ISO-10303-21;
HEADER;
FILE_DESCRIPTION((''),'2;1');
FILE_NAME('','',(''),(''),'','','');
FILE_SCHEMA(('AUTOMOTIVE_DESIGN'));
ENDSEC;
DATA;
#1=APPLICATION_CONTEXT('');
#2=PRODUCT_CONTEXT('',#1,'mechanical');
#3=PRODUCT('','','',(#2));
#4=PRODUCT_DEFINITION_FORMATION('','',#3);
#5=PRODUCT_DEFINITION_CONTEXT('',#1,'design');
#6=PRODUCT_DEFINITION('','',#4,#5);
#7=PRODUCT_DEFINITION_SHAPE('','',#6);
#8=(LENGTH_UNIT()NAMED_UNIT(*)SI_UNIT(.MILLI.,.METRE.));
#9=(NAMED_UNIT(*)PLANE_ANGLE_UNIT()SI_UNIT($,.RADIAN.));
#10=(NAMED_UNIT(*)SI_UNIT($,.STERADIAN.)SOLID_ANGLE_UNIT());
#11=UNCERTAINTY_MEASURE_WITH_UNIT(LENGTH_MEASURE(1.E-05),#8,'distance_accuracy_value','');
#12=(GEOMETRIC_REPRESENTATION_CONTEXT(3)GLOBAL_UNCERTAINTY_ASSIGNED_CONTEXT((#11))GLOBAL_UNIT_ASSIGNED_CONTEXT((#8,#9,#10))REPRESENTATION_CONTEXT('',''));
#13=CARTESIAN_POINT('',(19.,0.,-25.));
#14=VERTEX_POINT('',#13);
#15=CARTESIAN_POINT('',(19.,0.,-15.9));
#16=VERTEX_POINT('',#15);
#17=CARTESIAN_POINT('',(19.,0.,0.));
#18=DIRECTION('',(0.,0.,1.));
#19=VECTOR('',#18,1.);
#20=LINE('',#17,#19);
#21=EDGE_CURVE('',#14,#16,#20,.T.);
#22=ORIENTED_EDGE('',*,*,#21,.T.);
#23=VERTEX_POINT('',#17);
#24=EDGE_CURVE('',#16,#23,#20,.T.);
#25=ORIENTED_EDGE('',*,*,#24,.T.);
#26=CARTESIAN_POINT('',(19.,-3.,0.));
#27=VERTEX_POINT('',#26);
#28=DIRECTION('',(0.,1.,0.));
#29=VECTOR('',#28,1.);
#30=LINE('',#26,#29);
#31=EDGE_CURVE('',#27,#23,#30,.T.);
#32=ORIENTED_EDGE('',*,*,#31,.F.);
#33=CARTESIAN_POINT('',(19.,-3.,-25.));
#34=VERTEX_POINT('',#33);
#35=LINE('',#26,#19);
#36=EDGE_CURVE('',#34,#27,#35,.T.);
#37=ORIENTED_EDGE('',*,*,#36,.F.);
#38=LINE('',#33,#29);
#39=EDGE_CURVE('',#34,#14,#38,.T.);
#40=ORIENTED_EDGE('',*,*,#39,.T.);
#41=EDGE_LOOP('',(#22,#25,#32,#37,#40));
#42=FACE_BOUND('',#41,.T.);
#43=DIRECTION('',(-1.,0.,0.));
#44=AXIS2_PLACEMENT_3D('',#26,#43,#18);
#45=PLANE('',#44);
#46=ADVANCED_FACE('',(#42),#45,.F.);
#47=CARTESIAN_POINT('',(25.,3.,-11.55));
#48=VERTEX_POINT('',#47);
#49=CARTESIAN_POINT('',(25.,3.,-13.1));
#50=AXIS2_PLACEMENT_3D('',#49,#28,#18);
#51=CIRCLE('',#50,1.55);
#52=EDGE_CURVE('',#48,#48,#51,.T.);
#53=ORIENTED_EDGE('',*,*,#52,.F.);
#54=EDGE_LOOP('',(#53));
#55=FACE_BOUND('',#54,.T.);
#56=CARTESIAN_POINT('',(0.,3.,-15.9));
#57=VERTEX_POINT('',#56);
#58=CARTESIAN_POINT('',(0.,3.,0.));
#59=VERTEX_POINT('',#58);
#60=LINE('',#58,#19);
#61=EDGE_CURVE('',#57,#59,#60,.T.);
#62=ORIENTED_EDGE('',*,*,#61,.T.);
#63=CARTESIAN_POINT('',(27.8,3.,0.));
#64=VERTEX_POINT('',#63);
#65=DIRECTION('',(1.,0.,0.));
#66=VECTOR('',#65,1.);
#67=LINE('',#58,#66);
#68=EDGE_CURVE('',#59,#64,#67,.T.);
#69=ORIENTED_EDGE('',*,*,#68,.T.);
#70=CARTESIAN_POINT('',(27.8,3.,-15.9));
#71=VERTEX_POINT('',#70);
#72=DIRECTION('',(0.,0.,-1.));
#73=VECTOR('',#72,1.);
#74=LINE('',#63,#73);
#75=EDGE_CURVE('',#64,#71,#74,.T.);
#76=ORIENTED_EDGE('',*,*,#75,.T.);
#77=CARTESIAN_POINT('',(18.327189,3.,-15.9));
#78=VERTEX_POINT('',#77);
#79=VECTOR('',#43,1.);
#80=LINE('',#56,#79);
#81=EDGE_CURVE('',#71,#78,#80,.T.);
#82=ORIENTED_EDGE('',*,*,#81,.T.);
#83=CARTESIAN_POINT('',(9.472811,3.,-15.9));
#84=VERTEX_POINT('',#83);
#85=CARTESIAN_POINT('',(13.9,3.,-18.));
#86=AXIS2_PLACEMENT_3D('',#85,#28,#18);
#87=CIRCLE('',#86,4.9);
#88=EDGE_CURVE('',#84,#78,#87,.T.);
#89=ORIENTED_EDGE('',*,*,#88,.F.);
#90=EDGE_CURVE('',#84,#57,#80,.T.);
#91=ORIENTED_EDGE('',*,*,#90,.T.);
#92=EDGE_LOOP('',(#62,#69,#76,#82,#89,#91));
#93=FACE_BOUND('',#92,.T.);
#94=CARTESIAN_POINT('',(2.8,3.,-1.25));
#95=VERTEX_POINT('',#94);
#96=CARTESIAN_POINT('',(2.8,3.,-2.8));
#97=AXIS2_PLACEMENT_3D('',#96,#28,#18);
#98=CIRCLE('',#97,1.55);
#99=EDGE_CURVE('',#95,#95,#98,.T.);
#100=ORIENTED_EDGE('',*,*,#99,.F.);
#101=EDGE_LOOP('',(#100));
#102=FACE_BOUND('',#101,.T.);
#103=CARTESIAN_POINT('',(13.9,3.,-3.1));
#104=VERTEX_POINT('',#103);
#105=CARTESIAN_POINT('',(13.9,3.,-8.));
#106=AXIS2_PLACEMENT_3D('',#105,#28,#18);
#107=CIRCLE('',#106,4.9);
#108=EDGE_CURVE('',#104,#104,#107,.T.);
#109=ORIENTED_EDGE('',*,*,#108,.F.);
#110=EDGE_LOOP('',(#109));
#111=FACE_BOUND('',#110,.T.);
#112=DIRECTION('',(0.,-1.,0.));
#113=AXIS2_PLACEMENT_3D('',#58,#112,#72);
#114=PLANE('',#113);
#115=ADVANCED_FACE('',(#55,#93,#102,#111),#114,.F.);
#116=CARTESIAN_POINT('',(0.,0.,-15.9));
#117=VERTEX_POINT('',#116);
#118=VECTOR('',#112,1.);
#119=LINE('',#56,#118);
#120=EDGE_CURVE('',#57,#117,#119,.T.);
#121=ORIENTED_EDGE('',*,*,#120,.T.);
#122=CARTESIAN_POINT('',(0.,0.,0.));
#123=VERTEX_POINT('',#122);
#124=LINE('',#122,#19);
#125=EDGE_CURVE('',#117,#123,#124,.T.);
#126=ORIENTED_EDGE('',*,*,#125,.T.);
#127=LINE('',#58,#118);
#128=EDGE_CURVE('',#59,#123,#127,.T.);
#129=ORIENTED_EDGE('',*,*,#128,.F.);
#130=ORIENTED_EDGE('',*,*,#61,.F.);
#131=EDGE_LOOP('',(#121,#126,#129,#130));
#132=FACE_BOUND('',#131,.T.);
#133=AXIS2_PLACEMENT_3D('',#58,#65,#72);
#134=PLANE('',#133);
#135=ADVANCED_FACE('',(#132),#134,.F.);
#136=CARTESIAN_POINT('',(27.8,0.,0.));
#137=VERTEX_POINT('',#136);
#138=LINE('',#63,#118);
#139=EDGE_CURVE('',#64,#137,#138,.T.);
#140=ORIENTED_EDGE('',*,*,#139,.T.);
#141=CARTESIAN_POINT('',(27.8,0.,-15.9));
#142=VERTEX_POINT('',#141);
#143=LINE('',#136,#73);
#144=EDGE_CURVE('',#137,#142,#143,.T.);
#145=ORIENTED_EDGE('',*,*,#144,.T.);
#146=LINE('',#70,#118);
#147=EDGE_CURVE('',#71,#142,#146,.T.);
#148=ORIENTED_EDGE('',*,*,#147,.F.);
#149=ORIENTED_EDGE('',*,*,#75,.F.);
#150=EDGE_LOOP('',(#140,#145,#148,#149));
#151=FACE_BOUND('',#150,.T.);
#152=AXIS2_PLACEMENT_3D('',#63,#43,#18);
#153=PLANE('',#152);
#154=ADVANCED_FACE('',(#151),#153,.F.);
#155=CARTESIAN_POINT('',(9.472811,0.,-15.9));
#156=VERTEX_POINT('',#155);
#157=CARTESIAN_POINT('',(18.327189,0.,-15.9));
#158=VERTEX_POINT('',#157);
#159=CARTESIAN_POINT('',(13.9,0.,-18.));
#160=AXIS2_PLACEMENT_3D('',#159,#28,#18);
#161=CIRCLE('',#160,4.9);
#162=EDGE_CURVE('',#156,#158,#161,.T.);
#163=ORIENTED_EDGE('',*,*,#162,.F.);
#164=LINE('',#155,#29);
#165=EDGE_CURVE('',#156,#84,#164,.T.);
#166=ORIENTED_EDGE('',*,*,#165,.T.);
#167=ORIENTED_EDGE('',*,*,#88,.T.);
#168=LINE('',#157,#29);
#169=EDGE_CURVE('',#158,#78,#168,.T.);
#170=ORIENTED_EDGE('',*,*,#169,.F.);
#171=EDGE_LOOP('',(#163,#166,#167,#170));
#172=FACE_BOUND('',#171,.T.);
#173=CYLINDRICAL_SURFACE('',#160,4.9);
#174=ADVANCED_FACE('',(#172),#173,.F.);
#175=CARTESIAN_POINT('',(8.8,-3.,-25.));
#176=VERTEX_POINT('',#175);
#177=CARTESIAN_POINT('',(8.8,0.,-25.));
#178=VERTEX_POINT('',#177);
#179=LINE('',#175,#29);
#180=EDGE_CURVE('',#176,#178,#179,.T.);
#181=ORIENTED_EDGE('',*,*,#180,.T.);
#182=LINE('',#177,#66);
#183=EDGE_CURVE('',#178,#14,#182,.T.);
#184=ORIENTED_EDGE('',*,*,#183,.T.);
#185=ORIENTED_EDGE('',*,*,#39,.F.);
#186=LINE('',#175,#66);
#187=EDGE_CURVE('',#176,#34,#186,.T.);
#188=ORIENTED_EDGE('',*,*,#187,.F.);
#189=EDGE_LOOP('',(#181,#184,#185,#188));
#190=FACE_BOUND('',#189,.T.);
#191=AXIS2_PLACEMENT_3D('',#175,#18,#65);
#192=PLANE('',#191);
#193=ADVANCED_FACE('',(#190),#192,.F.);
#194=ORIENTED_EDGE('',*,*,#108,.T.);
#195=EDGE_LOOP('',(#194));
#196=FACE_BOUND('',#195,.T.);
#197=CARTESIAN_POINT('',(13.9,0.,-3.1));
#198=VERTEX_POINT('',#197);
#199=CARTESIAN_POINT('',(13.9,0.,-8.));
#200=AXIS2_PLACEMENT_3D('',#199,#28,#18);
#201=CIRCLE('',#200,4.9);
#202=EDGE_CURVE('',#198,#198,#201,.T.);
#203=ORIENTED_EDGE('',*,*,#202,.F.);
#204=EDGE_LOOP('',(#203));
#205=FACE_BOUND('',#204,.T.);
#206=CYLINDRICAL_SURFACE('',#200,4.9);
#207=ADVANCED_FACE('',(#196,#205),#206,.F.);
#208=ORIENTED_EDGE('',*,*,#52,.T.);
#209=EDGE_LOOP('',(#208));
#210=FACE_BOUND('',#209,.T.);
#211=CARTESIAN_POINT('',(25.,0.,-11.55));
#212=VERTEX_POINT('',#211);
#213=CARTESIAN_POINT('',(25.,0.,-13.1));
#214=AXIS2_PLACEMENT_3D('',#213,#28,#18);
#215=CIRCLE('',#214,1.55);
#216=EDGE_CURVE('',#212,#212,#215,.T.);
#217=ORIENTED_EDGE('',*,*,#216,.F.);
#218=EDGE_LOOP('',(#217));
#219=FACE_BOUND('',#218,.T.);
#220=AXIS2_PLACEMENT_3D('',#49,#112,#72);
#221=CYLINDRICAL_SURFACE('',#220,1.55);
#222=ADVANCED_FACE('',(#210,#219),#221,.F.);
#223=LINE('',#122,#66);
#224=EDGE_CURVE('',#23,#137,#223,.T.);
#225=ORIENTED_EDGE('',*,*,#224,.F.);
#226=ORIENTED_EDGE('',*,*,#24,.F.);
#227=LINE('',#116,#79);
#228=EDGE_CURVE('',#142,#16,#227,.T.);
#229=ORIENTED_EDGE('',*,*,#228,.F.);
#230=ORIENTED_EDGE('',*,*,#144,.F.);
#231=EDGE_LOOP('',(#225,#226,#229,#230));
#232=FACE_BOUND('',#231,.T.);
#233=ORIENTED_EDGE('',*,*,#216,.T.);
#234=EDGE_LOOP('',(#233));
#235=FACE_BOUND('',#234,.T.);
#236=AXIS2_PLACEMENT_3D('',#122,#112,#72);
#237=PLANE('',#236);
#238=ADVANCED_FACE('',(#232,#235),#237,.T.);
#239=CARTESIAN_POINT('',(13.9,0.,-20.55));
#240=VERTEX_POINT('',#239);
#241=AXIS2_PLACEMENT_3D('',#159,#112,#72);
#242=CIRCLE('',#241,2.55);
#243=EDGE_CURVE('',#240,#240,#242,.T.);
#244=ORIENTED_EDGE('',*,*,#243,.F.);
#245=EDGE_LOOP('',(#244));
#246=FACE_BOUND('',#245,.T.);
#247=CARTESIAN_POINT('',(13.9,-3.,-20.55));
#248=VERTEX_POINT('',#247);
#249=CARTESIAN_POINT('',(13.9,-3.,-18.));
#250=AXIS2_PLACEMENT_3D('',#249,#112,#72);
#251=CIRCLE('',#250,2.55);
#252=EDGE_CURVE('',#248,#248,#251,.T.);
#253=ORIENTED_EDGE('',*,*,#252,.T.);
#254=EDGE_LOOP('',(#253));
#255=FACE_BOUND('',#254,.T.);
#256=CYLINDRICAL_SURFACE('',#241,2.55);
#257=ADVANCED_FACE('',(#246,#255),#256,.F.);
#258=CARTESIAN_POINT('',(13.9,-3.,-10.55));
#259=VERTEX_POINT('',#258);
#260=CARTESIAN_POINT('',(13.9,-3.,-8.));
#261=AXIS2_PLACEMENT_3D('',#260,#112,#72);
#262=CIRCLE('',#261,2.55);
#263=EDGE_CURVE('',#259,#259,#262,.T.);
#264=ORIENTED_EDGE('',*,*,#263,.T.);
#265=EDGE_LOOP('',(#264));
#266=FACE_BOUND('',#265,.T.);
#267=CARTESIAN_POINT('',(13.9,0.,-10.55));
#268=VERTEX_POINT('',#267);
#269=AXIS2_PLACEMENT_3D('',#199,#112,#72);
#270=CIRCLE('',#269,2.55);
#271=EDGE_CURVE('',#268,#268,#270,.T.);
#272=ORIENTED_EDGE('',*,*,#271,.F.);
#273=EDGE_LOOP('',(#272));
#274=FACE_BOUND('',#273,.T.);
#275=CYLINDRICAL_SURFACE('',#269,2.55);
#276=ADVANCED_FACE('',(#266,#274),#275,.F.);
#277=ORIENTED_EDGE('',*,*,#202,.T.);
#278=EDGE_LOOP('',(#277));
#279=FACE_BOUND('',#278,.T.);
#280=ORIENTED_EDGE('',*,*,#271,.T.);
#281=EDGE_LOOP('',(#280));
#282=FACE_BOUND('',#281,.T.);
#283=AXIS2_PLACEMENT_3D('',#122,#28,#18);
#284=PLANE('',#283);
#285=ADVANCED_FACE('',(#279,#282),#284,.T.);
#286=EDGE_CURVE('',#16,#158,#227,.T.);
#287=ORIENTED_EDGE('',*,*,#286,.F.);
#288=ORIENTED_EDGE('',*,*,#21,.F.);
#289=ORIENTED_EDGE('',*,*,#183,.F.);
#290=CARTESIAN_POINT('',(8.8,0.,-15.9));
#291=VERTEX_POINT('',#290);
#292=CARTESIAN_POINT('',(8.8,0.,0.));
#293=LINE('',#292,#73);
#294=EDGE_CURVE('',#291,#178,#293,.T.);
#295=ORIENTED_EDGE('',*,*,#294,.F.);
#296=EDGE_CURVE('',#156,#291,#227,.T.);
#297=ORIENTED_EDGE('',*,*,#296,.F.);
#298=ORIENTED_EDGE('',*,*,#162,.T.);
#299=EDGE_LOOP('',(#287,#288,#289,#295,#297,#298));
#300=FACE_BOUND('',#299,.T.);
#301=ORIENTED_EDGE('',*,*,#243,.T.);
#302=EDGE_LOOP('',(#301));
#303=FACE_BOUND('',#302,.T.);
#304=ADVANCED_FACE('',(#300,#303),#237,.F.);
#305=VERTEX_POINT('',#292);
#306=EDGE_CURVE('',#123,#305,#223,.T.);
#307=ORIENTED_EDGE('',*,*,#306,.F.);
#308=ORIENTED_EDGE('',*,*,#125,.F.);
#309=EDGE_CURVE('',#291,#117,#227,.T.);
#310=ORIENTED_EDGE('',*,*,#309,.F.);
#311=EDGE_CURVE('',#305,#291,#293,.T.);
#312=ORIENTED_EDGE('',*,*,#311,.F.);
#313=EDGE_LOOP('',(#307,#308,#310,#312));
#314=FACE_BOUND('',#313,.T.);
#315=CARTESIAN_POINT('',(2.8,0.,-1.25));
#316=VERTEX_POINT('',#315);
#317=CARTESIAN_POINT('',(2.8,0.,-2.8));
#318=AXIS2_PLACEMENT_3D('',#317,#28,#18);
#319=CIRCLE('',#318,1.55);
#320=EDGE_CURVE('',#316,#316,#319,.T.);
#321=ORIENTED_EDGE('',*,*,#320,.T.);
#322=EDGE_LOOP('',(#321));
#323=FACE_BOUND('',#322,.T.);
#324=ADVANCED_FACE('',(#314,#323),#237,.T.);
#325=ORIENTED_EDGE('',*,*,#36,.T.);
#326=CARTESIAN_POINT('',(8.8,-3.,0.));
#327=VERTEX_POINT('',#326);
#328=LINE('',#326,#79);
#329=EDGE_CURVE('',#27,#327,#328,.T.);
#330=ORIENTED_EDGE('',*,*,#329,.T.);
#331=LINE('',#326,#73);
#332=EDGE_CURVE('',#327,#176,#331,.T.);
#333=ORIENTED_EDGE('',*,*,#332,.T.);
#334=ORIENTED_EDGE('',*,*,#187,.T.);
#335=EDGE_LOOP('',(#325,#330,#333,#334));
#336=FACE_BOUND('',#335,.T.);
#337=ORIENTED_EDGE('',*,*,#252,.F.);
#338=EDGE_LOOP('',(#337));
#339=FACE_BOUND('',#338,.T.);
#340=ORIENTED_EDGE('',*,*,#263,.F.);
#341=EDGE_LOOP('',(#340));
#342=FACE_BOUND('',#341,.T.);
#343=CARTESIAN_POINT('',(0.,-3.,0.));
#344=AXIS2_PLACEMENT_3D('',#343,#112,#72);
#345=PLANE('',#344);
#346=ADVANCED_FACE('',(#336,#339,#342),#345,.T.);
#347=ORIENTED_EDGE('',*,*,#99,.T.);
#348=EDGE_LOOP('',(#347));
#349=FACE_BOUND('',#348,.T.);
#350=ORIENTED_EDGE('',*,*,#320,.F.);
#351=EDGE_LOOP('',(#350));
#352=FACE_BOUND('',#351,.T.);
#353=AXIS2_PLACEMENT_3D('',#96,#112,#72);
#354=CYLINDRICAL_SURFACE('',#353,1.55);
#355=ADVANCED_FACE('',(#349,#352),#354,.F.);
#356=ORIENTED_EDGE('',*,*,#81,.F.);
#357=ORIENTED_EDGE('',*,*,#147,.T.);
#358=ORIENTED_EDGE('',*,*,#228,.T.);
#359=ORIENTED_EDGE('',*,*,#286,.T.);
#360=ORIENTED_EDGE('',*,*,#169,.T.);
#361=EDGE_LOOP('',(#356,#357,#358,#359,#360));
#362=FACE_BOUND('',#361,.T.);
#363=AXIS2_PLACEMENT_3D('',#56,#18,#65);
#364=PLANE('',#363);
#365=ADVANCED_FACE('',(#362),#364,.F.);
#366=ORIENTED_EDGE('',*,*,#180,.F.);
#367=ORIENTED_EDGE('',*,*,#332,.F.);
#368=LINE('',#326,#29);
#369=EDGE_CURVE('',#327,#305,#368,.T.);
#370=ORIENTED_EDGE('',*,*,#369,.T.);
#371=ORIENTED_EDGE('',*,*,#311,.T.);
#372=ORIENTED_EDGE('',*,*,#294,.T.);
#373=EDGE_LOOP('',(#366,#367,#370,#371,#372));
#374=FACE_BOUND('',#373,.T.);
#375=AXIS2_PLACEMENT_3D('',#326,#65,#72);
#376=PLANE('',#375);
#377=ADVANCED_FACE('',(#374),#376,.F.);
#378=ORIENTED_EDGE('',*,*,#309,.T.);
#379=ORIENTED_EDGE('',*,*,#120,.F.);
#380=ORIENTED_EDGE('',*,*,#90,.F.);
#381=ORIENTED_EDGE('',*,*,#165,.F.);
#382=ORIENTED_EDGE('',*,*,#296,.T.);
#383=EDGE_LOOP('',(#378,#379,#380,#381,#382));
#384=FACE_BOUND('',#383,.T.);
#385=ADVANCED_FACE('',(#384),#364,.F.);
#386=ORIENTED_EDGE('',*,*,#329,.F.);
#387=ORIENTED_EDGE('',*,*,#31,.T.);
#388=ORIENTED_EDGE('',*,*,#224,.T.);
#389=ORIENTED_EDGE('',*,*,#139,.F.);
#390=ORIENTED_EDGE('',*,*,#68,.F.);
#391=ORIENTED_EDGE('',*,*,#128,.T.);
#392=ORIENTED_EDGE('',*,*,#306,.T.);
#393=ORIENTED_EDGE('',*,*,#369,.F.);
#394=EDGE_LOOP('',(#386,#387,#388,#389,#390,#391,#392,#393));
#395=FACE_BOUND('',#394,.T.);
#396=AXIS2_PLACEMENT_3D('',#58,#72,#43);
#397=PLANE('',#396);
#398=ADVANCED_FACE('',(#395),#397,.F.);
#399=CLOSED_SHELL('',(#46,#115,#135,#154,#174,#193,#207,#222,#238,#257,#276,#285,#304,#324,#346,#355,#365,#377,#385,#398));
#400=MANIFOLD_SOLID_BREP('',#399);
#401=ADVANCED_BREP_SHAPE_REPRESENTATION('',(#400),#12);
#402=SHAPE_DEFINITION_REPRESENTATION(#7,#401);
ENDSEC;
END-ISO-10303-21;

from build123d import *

# Parameters (mm, degrees)
SKETCH1_W           = 27.8
SKETCH1_H           = 15.9
SKETCH1_R           = 1.55
BOSS_EXTRUDE1_DEPTH = 3
SKETCH2_W           = 10.2
SKETCH2_H           = 25
BOSS_EXTRUDE2_DEPTH = 3
SKETCH3_R           = 2.55
CUT_EXTRUDE1_DEPTH  = 3
CUT_EXTRUDE4_START  = -3
SKETCH4_R           = 4.9
SKETCH4_R_2         = 2.55
CUT_EXTRUDE4_DEPTH  = 3


with BuildPart() as part:
    # Sketch1 → Boss-Extrude1 (new body)
    with BuildSketch(Plane(origin=(0, 0, 0), x_dir=(1, 0, 0), z_dir=(0, 1, 0))):
        with Locations((13.9, 7.95)):
            Rectangle(SKETCH1_W, SKETCH1_H)
        with Locations(Location((2.8, 2.8, 0), (0, 0, 270))):
            Circle(SKETCH1_R, mode=Mode.SUBTRACT)
        with Locations(Location((25, 13.1, 0), (0, 0, 270))):
            Circle(SKETCH1_R, mode=Mode.SUBTRACT)
    extrude(amount=BOSS_EXTRUDE1_DEPTH)

    # Sketch2 → Boss-Extrude2 (add)
    with BuildSketch(Plane.XZ):
        with Locations((13.9, -12.5)):
            Rectangle(SKETCH2_W, SKETCH2_H)
    extrude(amount=BOSS_EXTRUDE2_DEPTH)

    # Sketch3 → Cut-Extrude1 (cut)
    with BuildSketch(Plane.XZ.offset(3)):
        with Locations(Location((13.9, -8, 0), (0, 0, 270))):
            Circle(SKETCH3_R)
        with Locations(Location((13.9, -18, 0), (0, 0, 270))):
            Circle(SKETCH3_R)
    extrude(amount=-CUT_EXTRUDE1_DEPTH, mode=Mode.SUBTRACT)

    # Sketch4 → Cut-Extrude4 (cut)
    # profile 1 of 3: a face of its own
    with BuildSketch(Plane(origin=(0, 3, 0), x_dir=(1, 0, 0), z_dir=(0, 1, 0)).offset(CUT_EXTRUDE4_START)):
        with BuildLine():
            Line((18.327188724, 15.9), (15.346547614, 15.9))
            Line((15.346547614, 15.9), (12.453452386, 15.9))
            Line((12.453452386, 15.9), (9.472811276, 15.9))
            ThreePointArc((9.472811276, 15.9), (13.9, 13.1), (18.327188724, 15.9))
        make_face()
    # profile 2 of 3: a face of its own
    with BuildSketch(Plane(origin=(0, 3, 0), x_dir=(1, 0, 0), z_dir=(0, 1, 0)).offset(CUT_EXTRUDE4_START)):
        with Locations(Location((13.9, 8, 0), (0, 0, 270))):
            Circle(SKETCH4_R)
        with Locations(Location((13.9, 8, 0), (0, 0, 90))):
            Circle(SKETCH4_R_2, mode=Mode.SUBTRACT)
    # profile 3 of 3: a face of its own
    with BuildSketch(Plane(origin=(0, 3, 0), x_dir=(1, 0, 0), z_dir=(0, 1, 0)).offset(CUT_EXTRUDE4_START)):
        with Locations(Location((13.9, 8, 0), (0, 0, 90))):
            Circle(SKETCH4_R_2)
    extrude(amount=CUT_EXTRUDE4_DEPTH, mode=Mode.SUBTRACT)


solid = part.part
